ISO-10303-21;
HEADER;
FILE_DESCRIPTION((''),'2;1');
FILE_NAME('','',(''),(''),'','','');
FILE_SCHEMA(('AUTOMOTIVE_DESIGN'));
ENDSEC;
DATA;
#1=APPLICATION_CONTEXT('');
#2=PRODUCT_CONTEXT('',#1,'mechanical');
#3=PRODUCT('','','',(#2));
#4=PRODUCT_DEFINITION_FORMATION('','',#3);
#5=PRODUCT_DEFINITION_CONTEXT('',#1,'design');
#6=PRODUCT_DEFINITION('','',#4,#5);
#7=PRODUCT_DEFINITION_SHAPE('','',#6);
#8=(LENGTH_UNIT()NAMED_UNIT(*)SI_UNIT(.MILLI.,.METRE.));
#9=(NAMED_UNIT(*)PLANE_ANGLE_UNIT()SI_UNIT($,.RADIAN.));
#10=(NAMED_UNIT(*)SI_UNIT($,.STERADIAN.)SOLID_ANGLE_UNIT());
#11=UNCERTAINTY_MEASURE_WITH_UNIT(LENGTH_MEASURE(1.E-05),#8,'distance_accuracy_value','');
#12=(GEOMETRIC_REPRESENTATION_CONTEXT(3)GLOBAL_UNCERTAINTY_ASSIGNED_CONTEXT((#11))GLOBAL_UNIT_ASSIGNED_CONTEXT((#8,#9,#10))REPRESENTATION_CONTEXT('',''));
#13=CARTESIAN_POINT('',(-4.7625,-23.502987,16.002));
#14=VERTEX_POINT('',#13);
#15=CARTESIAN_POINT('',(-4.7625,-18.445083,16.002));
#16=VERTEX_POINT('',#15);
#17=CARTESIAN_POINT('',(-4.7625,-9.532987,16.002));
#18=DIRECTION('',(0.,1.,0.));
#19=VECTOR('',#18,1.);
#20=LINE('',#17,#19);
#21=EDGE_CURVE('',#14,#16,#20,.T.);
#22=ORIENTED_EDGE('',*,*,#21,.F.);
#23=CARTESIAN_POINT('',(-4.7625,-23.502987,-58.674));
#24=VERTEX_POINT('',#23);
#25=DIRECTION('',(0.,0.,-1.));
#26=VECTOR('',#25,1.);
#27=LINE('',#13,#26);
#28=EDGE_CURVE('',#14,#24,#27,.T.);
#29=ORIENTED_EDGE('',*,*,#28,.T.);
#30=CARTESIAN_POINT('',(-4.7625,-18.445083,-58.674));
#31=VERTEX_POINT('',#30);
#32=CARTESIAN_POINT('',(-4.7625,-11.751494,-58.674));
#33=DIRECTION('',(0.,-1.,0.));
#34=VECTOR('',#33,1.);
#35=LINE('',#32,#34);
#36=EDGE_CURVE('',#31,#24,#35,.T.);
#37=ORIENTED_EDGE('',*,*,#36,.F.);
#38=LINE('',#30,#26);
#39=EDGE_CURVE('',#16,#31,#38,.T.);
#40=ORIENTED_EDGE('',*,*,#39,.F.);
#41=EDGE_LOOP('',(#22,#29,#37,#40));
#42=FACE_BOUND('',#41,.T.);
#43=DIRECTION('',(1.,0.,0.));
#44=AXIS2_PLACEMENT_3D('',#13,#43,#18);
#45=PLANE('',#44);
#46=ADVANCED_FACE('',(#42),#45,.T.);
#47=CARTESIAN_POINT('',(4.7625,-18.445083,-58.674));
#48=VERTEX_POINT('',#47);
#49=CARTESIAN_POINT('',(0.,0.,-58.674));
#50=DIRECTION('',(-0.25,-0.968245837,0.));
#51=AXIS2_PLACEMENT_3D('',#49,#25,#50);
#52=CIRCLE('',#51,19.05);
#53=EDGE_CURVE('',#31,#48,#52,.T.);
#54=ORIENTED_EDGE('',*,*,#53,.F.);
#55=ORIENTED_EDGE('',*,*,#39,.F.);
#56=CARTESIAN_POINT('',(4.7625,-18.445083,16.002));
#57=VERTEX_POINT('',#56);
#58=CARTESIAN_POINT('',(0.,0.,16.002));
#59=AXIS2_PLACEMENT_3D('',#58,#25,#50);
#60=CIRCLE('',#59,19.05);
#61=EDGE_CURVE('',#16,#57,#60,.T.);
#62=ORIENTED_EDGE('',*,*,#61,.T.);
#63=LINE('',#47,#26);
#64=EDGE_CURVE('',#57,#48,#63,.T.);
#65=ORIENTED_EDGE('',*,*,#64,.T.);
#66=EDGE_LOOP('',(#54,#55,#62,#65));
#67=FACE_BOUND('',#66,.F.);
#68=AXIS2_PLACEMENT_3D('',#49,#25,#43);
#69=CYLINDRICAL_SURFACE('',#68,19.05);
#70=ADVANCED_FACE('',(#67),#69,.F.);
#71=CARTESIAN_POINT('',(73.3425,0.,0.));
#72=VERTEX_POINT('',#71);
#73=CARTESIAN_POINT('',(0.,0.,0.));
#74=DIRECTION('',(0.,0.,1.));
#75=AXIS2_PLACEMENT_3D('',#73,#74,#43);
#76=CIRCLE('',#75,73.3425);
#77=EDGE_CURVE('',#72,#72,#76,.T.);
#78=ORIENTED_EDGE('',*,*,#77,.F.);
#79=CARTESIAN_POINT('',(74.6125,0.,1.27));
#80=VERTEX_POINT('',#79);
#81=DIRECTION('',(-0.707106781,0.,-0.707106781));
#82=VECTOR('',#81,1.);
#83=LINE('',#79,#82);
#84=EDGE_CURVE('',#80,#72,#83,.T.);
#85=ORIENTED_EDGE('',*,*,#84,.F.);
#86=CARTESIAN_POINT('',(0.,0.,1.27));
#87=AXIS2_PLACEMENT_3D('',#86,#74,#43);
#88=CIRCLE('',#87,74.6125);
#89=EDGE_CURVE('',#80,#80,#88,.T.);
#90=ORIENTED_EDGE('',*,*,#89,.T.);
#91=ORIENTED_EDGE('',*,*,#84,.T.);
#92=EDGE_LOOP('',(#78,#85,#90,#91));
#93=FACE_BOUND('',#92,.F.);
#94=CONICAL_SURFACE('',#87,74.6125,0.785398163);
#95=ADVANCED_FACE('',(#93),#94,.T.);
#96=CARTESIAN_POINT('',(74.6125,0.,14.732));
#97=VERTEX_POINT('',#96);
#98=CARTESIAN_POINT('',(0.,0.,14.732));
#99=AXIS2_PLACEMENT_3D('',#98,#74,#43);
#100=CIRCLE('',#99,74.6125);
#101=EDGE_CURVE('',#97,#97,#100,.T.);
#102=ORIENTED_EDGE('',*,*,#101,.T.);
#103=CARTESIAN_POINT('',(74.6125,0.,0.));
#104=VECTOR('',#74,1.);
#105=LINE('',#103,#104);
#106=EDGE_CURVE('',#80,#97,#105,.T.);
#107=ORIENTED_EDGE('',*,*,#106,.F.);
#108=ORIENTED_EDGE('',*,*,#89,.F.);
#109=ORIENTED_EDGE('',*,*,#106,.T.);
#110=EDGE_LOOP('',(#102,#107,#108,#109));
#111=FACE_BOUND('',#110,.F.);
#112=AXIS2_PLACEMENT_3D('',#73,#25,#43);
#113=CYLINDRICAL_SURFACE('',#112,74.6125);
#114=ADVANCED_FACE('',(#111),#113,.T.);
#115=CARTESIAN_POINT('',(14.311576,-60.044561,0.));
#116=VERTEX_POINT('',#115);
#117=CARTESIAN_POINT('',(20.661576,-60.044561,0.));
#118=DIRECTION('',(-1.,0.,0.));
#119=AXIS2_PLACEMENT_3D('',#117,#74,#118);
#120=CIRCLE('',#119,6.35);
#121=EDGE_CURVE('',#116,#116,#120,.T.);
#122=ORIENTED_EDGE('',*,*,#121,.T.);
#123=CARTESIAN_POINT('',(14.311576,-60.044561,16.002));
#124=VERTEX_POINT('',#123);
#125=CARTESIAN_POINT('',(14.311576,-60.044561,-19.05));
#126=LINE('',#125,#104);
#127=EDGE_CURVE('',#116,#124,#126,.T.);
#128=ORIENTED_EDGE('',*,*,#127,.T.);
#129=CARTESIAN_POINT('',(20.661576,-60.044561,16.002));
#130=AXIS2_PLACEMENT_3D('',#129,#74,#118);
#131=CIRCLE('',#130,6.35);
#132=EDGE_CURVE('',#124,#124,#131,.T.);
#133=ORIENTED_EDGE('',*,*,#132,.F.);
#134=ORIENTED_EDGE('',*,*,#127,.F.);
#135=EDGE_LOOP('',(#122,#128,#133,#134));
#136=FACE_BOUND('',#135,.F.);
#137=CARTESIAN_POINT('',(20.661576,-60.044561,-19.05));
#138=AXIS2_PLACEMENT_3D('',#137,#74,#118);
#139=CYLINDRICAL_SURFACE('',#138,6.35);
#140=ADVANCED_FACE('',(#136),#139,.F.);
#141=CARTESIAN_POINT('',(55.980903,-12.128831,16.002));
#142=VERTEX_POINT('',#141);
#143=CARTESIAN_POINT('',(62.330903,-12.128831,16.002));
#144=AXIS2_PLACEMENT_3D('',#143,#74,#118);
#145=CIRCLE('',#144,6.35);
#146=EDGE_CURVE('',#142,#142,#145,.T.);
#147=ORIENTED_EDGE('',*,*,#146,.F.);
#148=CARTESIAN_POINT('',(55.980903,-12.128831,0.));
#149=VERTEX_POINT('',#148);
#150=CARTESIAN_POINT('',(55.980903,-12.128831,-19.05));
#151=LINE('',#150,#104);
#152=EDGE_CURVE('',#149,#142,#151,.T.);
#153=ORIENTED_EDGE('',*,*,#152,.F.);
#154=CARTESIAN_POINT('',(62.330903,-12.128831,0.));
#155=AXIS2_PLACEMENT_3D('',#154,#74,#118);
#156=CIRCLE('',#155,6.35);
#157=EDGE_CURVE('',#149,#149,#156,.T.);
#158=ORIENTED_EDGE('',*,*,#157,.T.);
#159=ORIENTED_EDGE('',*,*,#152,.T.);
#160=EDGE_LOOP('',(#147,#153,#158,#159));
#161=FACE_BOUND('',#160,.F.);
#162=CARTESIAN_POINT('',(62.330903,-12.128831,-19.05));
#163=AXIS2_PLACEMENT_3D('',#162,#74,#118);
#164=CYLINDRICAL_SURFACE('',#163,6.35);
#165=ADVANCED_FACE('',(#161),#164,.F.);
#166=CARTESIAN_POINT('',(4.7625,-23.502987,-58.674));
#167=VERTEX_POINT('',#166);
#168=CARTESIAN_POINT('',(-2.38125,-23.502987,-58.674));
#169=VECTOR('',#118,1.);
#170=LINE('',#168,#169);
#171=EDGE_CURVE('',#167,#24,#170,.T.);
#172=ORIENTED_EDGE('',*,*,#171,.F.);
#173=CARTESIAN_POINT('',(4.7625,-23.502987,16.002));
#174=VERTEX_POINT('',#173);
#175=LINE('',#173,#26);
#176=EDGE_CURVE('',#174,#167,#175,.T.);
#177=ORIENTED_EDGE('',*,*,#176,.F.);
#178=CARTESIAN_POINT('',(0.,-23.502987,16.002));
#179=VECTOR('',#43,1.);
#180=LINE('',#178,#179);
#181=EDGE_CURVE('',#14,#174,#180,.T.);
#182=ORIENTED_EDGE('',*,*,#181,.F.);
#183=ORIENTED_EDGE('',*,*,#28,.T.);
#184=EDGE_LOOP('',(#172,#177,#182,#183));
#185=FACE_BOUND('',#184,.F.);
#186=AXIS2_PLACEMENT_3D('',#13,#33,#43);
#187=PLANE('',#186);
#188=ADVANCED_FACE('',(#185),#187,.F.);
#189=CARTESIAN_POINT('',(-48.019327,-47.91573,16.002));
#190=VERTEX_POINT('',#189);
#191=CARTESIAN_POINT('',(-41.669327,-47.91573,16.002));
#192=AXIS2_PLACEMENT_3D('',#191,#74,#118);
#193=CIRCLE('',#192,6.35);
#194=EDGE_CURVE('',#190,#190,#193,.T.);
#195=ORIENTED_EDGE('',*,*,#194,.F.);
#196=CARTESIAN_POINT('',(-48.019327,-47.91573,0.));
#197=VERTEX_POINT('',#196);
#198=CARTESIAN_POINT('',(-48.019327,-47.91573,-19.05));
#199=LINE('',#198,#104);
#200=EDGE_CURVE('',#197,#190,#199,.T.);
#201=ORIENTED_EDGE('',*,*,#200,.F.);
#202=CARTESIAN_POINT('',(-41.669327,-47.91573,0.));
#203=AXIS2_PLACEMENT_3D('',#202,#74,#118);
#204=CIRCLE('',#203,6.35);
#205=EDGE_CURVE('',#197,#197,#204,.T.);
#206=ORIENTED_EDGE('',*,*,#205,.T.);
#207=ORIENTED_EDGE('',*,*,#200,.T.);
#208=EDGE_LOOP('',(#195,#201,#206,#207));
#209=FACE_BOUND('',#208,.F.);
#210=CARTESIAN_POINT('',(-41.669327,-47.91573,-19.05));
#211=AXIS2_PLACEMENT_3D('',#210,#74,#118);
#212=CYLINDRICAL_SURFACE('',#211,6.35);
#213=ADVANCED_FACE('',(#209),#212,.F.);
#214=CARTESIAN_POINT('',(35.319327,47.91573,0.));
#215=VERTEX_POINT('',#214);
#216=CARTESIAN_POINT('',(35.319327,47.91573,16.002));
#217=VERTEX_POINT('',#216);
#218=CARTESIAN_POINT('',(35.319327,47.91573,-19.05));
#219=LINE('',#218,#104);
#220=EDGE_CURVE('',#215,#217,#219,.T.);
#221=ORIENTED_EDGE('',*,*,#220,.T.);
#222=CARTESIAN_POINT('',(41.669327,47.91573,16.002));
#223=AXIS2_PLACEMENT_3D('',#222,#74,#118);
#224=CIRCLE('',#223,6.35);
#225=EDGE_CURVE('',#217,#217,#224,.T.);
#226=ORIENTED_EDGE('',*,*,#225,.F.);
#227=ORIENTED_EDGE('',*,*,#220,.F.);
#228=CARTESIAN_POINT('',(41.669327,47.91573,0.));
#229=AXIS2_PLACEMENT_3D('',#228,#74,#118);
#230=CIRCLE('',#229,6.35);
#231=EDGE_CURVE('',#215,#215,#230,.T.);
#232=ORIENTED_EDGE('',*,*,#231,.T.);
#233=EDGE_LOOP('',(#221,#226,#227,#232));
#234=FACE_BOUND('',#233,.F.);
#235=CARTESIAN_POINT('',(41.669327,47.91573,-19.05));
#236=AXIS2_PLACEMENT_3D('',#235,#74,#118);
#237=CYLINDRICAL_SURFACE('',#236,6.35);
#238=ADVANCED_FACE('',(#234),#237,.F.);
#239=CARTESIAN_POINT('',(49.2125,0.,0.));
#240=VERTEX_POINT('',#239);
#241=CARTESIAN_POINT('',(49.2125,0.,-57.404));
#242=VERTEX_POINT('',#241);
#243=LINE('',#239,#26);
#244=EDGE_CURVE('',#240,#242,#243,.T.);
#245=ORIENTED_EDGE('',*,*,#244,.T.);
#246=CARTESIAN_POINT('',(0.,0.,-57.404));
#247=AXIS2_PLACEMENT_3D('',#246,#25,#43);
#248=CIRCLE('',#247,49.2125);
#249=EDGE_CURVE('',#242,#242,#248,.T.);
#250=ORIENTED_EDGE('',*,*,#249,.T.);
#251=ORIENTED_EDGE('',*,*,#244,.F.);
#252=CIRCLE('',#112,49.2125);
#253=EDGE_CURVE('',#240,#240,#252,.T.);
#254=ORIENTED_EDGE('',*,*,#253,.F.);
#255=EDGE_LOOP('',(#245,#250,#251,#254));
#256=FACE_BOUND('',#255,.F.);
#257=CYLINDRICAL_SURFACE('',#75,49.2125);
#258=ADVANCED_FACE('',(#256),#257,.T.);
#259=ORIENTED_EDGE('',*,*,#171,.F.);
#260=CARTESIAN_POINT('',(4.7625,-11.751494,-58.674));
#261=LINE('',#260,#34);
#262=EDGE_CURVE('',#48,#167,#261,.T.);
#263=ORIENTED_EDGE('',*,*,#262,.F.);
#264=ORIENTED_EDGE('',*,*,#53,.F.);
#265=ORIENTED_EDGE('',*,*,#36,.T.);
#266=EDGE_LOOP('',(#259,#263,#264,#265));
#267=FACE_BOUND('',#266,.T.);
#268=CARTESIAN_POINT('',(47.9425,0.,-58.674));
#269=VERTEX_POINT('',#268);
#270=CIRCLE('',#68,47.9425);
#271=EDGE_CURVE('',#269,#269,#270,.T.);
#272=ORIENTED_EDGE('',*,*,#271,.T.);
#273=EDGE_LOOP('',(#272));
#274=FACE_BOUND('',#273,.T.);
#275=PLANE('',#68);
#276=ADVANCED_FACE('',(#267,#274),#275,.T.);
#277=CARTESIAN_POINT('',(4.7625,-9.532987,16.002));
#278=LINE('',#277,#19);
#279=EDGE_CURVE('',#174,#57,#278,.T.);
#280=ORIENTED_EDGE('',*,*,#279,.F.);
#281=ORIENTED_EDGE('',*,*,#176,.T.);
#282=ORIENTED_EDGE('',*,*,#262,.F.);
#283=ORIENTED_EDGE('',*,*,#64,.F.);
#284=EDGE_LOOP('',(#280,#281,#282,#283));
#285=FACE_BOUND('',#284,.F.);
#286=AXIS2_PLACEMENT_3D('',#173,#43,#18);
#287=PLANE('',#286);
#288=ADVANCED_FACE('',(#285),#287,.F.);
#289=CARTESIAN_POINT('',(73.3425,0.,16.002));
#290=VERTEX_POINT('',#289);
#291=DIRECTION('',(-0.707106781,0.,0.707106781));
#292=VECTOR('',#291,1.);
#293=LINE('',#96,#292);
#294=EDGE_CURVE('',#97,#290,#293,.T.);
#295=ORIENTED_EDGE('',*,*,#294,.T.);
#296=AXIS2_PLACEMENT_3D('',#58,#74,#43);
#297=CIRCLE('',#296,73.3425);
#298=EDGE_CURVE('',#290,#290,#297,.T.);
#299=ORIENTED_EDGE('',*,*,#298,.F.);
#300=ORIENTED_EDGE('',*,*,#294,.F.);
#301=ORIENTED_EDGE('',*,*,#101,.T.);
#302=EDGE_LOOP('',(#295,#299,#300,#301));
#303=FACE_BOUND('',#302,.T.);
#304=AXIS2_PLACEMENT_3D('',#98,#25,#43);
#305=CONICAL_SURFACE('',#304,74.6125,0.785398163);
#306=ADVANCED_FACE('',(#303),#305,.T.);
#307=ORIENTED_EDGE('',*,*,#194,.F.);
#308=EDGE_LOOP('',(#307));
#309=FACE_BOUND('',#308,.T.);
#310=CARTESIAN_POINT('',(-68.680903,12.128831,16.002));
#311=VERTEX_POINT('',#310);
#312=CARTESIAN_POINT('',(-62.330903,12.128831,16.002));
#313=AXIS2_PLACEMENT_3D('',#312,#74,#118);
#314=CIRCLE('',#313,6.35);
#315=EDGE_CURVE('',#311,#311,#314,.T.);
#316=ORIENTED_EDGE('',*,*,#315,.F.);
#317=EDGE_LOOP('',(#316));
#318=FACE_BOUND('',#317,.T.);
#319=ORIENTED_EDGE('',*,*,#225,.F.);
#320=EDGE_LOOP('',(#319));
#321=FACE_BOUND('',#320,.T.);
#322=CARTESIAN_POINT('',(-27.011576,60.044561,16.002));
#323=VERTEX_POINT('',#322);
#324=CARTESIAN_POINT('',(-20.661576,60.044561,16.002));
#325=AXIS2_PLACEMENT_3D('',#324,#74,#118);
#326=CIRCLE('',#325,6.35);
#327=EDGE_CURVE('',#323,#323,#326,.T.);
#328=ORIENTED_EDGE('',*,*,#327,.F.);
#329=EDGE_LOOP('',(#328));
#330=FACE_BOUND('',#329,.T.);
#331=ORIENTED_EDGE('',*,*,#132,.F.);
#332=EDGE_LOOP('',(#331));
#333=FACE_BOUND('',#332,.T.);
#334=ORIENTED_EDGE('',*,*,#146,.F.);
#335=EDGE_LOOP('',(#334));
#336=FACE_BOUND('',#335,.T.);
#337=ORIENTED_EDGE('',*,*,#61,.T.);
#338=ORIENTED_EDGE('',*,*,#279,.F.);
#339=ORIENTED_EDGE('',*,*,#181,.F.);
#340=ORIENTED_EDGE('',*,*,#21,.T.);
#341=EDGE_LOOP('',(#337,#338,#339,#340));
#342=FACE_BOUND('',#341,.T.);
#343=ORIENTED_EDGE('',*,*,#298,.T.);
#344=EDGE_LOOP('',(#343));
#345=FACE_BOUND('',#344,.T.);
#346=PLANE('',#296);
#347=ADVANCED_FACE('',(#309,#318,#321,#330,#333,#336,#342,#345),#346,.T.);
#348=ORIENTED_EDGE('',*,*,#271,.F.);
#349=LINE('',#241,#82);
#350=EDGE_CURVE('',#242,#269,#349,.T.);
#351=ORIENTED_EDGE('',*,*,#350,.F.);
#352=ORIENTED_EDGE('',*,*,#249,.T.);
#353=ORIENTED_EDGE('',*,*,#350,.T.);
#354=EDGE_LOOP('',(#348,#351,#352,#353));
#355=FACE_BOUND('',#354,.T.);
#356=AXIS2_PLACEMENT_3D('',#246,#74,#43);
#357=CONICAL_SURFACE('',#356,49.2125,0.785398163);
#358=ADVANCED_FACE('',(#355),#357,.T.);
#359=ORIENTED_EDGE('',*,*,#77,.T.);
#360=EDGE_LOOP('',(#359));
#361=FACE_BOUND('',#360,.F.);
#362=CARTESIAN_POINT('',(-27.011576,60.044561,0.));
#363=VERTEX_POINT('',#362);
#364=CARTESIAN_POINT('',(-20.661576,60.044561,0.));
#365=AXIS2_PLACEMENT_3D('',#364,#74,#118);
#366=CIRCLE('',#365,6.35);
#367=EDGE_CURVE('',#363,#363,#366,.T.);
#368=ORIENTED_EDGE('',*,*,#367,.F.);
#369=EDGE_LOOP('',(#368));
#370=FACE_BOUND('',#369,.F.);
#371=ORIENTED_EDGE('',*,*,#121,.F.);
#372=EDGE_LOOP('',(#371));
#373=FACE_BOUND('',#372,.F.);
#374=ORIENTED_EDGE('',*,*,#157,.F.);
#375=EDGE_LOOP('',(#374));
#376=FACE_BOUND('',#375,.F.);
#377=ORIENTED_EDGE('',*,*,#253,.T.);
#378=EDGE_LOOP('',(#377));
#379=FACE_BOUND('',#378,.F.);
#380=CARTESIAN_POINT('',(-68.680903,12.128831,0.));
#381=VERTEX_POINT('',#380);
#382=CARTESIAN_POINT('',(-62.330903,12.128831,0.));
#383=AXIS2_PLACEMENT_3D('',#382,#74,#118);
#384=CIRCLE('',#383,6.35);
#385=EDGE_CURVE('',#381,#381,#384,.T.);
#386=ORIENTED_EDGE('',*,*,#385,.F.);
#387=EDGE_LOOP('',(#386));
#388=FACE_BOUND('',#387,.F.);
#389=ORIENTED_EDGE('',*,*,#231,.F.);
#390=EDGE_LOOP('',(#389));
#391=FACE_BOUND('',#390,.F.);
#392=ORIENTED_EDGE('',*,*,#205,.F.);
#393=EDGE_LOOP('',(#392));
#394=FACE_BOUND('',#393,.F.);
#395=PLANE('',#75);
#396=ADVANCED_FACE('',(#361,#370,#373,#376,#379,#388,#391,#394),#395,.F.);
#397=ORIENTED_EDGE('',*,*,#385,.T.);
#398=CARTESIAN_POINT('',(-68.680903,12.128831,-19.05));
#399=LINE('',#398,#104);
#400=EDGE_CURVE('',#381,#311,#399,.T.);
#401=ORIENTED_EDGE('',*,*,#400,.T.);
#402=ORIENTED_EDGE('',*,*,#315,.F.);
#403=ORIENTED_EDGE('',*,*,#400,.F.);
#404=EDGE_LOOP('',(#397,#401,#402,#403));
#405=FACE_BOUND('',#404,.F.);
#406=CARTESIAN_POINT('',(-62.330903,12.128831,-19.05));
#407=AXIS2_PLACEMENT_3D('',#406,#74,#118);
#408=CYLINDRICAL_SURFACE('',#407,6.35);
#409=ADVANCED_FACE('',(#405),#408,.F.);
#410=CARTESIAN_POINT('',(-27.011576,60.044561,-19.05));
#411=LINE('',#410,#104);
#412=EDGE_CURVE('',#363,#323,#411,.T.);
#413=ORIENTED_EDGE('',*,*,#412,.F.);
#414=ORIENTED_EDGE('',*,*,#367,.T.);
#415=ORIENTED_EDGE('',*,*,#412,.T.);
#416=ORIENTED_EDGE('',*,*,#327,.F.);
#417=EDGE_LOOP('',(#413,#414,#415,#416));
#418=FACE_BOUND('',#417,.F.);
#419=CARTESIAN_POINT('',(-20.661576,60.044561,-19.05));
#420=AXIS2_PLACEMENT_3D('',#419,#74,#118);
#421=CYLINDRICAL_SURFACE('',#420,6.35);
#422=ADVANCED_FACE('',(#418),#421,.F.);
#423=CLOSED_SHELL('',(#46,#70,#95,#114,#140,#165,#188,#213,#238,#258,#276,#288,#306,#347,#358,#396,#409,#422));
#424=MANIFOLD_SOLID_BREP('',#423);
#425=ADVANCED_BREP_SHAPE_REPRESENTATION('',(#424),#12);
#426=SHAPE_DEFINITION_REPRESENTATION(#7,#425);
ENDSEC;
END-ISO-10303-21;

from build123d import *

# Parameters (mm, degrees)
F0_R      = 74.6125
F1_DEPTH  = 16.002
F2_R      = 49.2125
F3_DEPTH  = 58.674
F4_R      = 19.05
F5_DEPTH  = 74.677
F6_SIZE   = 1.27
F8_D      = 12.7
F8_DEPTH  = 19.05
F9_W      = 9.525
F9_H      = 27.94
F10_DEPTH = 74.677


with BuildPart() as f1:
    # F0 (on Top) → F1 (new body)
    with BuildSketch(Plane.XY):
        Circle(F0_R)
    extrude(amount=F1_DEPTH)

    # F2 (on face) → F3 (join)
    with BuildSketch(Plane(origin=(0, 0, 0), x_dir=(1, 0, 0), z_dir=(0, 0, -1))):
        Circle(F2_R)
    extrude(amount=F3_DEPTH)

    # F4 (on face) → F5 (cut, through all)
    with BuildSketch(Plane(origin=(0, 0, -58.674), x_dir=(1, 0, 0), z_dir=(0, 0, -1))):
        Circle(F4_R)
    extrude(amount=-F5_DEPTH, mode=Mode.SUBTRACT)

    # F6
    f6_edges = [f1.edges().sort_by_distance(p)[0] for p in [
        (-49.2125, 0, -58.674),
        (-74.6125, 0, 0),
        (-74.6125, 0, 16.002),
    ]]
    chamfer(f6_edges, length=F6_SIZE)

    # F8
    with Locations(Plane(origin=(0, 0, 0), x_dir=(1, 0, 0), z_dir=(0, 0, -1))):
        with Locations((-41.669327, 47.91573), (20.661576, 60.044561), (62.330903, 12.128831), (41.669327, -47.91573), (-20.661576, -60.044561), (-62.330903, -12.128831)):
            Hole(F8_D / 2, depth=F8_DEPTH)

    # F9 (on face) → F10 (cut, through all)
    with BuildSketch(Plane.XY.offset(16.002)):
        with Locations((0, -9.532987)):
            Rectangle(F9_W, F9_H)
    extrude(amount=-F10_DEPTH, mode=Mode.SUBTRACT)


solid = f1.part
